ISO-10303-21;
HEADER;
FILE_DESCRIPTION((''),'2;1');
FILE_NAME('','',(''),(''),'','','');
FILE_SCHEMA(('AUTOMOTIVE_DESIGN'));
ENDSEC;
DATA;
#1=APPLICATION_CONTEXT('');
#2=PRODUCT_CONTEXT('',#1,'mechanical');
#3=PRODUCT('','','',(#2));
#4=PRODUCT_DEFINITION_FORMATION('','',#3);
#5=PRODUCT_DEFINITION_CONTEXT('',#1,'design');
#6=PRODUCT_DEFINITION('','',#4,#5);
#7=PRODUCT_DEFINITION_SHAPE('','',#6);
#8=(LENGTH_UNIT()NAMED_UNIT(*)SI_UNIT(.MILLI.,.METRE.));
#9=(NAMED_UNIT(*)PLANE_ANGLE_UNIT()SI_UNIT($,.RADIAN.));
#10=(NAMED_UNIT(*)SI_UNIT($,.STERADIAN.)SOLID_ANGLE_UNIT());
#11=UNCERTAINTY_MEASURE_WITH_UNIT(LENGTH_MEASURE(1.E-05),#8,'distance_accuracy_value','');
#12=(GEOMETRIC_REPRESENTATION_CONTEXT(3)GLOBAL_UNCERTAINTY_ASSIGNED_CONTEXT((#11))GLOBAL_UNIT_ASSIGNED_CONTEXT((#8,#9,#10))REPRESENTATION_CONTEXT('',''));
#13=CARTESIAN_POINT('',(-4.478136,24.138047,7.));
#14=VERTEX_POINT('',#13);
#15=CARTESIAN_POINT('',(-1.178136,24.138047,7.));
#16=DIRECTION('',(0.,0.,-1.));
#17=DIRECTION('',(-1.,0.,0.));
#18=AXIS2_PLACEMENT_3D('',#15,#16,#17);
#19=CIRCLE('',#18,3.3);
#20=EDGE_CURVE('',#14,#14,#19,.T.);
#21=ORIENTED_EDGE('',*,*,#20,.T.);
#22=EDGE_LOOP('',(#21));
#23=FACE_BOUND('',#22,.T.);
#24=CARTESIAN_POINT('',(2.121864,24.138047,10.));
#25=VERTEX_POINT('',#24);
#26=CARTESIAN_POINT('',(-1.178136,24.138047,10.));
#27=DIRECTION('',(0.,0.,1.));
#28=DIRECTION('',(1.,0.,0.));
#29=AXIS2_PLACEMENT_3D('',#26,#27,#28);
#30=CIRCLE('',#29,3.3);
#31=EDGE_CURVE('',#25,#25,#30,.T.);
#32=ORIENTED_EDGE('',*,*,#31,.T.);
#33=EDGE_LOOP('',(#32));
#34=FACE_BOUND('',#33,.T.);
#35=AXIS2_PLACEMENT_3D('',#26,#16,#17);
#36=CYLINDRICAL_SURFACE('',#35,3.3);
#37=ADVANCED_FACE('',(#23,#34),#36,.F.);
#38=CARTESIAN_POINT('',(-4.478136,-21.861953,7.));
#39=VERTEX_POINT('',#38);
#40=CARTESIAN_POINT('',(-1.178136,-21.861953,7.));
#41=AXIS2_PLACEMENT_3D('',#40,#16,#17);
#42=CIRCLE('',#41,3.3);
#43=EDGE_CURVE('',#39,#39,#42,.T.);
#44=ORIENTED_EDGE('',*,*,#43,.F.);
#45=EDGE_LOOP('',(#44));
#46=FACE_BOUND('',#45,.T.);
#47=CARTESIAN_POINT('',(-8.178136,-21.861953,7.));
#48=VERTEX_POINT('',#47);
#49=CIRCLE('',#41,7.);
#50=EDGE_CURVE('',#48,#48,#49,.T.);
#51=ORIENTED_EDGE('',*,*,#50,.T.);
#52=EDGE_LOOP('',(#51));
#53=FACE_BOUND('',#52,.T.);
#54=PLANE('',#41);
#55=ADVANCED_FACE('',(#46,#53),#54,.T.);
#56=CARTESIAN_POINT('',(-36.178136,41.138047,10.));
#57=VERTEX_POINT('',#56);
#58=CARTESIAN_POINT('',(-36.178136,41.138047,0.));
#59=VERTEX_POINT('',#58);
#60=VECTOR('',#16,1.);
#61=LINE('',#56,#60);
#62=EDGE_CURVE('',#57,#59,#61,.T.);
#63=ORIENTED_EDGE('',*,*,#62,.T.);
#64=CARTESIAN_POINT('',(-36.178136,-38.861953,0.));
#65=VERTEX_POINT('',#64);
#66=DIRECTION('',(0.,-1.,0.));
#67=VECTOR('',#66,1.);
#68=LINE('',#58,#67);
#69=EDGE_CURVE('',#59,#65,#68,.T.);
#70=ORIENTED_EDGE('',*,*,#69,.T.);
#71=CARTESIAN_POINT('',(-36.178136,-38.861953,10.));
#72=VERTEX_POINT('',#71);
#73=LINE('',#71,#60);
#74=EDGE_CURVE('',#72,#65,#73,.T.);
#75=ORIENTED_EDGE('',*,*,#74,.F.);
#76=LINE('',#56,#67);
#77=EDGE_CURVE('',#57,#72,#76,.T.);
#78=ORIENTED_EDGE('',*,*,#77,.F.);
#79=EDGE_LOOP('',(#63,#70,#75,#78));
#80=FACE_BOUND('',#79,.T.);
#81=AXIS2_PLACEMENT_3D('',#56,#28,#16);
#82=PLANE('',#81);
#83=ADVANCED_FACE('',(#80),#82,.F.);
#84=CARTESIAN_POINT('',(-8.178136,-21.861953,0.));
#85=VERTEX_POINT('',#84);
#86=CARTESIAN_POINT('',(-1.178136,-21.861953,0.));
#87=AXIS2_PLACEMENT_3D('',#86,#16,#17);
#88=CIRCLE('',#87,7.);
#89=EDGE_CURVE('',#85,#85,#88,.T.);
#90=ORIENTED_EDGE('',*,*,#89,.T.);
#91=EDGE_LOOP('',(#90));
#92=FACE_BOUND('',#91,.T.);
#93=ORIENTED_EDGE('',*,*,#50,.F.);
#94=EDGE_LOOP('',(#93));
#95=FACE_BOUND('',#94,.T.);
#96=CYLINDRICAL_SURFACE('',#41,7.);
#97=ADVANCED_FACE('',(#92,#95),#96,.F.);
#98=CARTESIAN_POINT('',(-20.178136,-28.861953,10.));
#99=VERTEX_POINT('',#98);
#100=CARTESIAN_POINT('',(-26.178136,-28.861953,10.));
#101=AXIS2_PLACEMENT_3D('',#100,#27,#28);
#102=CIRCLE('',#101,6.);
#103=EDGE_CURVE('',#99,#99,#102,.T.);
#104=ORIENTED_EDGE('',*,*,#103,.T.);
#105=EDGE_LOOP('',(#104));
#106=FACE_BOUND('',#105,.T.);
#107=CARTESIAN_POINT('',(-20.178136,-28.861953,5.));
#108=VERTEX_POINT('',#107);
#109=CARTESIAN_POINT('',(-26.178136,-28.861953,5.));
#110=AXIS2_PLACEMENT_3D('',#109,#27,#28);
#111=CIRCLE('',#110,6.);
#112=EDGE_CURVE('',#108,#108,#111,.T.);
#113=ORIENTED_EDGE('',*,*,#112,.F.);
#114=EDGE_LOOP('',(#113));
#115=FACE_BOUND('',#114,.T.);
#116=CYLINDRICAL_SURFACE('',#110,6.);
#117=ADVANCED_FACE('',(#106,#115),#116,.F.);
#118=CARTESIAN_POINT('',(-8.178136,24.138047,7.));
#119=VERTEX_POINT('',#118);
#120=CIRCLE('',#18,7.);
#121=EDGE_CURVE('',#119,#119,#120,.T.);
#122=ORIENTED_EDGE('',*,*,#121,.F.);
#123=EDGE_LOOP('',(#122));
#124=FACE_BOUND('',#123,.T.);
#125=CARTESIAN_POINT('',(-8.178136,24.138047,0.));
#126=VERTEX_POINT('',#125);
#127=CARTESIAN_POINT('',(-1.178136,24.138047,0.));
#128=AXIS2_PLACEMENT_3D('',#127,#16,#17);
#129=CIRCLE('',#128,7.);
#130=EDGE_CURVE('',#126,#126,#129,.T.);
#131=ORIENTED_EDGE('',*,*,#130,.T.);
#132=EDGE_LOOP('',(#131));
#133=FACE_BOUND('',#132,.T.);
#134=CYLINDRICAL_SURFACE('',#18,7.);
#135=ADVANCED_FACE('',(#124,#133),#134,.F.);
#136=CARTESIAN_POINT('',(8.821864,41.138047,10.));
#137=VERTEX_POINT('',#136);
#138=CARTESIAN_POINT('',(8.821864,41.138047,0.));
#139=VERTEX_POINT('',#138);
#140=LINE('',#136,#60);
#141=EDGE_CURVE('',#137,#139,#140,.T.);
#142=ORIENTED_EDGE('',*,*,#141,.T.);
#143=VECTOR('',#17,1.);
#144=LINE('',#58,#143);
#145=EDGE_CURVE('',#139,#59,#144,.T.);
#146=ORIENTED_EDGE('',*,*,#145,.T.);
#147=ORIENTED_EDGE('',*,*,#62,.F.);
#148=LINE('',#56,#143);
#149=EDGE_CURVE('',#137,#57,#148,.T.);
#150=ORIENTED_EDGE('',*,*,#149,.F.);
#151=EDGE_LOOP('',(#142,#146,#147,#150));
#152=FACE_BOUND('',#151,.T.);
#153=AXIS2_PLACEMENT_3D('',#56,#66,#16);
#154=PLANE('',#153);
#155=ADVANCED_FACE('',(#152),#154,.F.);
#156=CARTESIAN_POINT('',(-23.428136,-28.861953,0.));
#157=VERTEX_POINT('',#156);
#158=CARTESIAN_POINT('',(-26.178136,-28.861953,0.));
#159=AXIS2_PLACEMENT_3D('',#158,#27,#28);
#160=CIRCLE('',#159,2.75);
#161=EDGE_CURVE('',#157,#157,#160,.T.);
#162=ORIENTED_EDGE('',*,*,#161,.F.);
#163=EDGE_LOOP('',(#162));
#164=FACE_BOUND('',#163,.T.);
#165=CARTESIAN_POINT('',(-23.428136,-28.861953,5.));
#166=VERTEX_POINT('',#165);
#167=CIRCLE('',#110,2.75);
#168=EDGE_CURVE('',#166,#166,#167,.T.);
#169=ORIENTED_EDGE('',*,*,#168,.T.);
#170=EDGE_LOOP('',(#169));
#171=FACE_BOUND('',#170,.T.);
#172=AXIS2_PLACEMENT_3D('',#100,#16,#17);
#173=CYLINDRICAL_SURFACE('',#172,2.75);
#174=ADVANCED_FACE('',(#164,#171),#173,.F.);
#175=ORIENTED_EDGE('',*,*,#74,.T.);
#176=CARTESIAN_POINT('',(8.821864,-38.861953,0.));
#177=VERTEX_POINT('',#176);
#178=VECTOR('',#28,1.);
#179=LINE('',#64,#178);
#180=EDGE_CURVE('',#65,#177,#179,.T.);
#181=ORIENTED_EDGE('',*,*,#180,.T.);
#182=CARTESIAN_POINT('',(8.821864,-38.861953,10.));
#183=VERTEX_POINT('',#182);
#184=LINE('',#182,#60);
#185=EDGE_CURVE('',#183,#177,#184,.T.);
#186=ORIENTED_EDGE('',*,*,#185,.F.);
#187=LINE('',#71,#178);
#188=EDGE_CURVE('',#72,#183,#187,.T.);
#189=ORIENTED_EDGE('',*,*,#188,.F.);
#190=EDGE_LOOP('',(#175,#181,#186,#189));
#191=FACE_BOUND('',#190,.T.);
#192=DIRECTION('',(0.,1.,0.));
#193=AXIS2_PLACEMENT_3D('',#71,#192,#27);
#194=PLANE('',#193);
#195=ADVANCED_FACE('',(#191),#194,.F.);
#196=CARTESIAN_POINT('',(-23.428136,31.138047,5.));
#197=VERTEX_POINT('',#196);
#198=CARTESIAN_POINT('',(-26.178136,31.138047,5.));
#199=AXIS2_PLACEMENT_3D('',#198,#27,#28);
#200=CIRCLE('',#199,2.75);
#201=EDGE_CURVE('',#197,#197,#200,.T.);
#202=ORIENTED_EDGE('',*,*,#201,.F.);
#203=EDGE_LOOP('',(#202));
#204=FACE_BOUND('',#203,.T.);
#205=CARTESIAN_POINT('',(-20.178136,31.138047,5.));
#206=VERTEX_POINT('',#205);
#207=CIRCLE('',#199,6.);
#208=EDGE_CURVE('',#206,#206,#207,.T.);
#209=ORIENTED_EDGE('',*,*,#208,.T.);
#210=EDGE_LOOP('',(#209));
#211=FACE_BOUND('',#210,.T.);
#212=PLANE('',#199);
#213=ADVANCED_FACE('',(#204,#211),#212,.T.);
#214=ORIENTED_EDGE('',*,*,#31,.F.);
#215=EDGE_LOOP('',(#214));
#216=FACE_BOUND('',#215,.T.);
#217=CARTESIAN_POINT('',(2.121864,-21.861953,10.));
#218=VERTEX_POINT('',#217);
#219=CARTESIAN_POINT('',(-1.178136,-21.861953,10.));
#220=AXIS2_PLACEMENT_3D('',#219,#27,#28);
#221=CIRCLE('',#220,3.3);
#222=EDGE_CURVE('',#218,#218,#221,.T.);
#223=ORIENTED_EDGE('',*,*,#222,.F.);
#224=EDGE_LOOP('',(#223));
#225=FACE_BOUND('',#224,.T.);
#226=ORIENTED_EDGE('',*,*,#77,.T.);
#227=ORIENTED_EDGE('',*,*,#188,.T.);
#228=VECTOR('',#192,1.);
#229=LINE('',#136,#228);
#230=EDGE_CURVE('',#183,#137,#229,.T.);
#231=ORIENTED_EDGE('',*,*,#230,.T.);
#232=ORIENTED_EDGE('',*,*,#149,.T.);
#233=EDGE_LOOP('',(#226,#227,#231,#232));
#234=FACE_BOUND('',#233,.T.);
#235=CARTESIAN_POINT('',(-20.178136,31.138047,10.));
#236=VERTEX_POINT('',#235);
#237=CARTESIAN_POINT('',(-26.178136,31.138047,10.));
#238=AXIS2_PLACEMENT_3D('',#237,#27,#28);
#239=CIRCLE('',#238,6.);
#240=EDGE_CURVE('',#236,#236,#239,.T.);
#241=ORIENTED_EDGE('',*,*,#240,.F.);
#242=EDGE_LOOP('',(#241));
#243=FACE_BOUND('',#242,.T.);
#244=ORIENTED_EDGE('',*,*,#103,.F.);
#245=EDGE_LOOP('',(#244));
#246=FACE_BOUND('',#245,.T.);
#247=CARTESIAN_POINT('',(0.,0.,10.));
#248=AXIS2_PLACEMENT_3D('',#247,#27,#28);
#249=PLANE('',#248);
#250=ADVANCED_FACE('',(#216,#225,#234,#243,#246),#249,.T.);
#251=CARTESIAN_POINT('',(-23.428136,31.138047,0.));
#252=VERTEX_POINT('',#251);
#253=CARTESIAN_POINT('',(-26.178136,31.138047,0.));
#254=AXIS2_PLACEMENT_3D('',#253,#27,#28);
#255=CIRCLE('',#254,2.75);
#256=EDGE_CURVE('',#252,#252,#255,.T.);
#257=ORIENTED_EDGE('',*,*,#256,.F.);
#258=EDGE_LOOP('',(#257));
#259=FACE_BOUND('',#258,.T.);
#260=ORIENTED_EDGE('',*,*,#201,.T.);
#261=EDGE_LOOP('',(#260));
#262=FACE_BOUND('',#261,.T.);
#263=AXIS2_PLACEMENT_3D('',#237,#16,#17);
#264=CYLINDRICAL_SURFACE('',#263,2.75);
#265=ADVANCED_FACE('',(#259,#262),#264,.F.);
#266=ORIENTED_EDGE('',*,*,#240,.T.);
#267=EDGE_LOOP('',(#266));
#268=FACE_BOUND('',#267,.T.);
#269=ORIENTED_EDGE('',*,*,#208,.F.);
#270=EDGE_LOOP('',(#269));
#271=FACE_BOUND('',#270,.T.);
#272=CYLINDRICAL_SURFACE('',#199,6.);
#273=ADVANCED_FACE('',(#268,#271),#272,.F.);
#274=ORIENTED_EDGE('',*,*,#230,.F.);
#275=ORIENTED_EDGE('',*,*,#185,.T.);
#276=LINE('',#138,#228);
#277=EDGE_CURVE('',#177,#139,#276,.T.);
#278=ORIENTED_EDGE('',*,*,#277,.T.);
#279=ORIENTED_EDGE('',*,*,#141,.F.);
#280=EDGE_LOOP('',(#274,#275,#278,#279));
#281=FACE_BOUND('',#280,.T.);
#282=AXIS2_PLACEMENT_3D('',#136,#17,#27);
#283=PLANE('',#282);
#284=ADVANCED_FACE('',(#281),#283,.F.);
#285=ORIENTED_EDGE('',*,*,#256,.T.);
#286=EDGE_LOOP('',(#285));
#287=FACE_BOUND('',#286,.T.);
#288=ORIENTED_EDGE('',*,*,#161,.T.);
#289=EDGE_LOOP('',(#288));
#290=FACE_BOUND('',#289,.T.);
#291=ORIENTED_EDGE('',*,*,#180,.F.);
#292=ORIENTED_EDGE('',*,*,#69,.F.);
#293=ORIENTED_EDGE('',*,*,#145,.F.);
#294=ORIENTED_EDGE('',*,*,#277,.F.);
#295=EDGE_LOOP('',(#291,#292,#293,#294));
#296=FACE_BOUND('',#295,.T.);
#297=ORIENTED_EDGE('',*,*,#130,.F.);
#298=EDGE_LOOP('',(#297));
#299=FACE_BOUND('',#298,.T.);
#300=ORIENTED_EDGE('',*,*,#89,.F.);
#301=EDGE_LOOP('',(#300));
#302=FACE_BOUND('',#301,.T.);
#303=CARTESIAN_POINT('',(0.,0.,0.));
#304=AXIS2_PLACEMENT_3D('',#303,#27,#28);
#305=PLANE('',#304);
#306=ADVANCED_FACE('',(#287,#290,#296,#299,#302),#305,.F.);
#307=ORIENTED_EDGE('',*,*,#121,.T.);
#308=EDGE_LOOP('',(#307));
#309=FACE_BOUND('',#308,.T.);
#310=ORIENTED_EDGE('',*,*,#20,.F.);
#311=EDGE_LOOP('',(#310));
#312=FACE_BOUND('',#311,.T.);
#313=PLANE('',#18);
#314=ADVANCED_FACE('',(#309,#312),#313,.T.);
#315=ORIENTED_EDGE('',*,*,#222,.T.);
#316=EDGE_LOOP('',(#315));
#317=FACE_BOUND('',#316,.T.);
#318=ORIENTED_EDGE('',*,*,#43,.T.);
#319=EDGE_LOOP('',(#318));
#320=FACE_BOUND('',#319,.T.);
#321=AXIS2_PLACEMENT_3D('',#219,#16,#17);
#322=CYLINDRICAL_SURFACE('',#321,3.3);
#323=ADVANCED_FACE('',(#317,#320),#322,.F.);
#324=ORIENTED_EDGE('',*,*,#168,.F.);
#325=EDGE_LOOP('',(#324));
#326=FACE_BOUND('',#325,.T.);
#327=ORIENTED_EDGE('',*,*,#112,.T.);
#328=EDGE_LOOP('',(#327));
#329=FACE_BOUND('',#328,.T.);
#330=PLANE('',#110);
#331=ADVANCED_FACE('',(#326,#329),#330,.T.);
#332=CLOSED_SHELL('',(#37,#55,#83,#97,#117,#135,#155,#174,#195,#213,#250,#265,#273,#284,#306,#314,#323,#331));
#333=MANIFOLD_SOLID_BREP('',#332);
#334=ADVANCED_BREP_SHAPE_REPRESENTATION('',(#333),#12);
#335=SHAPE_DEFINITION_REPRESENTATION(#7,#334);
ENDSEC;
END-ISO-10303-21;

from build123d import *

# Parameters (mm, degrees)
ESQUISSE1_W             = 45
ESQUISSE1_H             = 80
ESQUISSE1_R             = 3.3
ESQUISSE1_R_2           = 2.75
BOSS_EXTRU_1_DEPTH      = 10
ESQUISSE2_R             = 6
ENL_V_MAT_EXTRU_1_DEPTH = 5
ESQUISSE3_R             = 7
ENL_V_MAT_EXTRU_3_DEPTH = 7


with BuildPart() as part:
    # Esquisse1 → Boss.-Extru.1 (new body)
    with BuildSketch(Plane.XY):
        with Locations((-13.678136106, 1.138047212)):
            Rectangle(ESQUISSE1_W, ESQUISSE1_H)
        with Locations((-1.178136106, 24.138047212)):
            Circle(ESQUISSE1_R, mode=Mode.SUBTRACT)
        with Locations((-1.178136106, -21.861952788)):
            Circle(ESQUISSE1_R, mode=Mode.SUBTRACT)
        with Locations((-26.178136106, 31.138047212)):
            Circle(ESQUISSE1_R_2, mode=Mode.SUBTRACT)
        with Locations((-26.178136106, -28.861952788)):
            Circle(ESQUISSE1_R_2, mode=Mode.SUBTRACT)
    extrude(amount=BOSS_EXTRU_1_DEPTH)

    # Esquisse2 → Enlèv. mat.-Extru.1 (cut)
    with BuildSketch(Plane.XY.offset(10)):
        with Locations((-26.178136106, 31.138047212)):
            Circle(ESQUISSE2_R)
        with Locations((-26.178136106, -28.861952788)):
            Circle(ESQUISSE2_R)
    extrude(amount=-ENL_V_MAT_EXTRU_1_DEPTH, mode=Mode.SUBTRACT)

    # Esquisse3 → Enlèv. mat.-Extru.3 (cut)
    with BuildSketch(Plane(origin=(0, 0, 0), x_dir=(-1, 0, 0), z_dir=(0, 0, -1))):
        with Locations((1.178136106, 24.138047212)):
            Circle(ESQUISSE3_R)
        with Locations((1.178136106, -21.861952788)):
            Circle(ESQUISSE3_R)
    extrude(amount=-ENL_V_MAT_EXTRU_3_DEPTH, mode=Mode.SUBTRACT)


solid = part.part
